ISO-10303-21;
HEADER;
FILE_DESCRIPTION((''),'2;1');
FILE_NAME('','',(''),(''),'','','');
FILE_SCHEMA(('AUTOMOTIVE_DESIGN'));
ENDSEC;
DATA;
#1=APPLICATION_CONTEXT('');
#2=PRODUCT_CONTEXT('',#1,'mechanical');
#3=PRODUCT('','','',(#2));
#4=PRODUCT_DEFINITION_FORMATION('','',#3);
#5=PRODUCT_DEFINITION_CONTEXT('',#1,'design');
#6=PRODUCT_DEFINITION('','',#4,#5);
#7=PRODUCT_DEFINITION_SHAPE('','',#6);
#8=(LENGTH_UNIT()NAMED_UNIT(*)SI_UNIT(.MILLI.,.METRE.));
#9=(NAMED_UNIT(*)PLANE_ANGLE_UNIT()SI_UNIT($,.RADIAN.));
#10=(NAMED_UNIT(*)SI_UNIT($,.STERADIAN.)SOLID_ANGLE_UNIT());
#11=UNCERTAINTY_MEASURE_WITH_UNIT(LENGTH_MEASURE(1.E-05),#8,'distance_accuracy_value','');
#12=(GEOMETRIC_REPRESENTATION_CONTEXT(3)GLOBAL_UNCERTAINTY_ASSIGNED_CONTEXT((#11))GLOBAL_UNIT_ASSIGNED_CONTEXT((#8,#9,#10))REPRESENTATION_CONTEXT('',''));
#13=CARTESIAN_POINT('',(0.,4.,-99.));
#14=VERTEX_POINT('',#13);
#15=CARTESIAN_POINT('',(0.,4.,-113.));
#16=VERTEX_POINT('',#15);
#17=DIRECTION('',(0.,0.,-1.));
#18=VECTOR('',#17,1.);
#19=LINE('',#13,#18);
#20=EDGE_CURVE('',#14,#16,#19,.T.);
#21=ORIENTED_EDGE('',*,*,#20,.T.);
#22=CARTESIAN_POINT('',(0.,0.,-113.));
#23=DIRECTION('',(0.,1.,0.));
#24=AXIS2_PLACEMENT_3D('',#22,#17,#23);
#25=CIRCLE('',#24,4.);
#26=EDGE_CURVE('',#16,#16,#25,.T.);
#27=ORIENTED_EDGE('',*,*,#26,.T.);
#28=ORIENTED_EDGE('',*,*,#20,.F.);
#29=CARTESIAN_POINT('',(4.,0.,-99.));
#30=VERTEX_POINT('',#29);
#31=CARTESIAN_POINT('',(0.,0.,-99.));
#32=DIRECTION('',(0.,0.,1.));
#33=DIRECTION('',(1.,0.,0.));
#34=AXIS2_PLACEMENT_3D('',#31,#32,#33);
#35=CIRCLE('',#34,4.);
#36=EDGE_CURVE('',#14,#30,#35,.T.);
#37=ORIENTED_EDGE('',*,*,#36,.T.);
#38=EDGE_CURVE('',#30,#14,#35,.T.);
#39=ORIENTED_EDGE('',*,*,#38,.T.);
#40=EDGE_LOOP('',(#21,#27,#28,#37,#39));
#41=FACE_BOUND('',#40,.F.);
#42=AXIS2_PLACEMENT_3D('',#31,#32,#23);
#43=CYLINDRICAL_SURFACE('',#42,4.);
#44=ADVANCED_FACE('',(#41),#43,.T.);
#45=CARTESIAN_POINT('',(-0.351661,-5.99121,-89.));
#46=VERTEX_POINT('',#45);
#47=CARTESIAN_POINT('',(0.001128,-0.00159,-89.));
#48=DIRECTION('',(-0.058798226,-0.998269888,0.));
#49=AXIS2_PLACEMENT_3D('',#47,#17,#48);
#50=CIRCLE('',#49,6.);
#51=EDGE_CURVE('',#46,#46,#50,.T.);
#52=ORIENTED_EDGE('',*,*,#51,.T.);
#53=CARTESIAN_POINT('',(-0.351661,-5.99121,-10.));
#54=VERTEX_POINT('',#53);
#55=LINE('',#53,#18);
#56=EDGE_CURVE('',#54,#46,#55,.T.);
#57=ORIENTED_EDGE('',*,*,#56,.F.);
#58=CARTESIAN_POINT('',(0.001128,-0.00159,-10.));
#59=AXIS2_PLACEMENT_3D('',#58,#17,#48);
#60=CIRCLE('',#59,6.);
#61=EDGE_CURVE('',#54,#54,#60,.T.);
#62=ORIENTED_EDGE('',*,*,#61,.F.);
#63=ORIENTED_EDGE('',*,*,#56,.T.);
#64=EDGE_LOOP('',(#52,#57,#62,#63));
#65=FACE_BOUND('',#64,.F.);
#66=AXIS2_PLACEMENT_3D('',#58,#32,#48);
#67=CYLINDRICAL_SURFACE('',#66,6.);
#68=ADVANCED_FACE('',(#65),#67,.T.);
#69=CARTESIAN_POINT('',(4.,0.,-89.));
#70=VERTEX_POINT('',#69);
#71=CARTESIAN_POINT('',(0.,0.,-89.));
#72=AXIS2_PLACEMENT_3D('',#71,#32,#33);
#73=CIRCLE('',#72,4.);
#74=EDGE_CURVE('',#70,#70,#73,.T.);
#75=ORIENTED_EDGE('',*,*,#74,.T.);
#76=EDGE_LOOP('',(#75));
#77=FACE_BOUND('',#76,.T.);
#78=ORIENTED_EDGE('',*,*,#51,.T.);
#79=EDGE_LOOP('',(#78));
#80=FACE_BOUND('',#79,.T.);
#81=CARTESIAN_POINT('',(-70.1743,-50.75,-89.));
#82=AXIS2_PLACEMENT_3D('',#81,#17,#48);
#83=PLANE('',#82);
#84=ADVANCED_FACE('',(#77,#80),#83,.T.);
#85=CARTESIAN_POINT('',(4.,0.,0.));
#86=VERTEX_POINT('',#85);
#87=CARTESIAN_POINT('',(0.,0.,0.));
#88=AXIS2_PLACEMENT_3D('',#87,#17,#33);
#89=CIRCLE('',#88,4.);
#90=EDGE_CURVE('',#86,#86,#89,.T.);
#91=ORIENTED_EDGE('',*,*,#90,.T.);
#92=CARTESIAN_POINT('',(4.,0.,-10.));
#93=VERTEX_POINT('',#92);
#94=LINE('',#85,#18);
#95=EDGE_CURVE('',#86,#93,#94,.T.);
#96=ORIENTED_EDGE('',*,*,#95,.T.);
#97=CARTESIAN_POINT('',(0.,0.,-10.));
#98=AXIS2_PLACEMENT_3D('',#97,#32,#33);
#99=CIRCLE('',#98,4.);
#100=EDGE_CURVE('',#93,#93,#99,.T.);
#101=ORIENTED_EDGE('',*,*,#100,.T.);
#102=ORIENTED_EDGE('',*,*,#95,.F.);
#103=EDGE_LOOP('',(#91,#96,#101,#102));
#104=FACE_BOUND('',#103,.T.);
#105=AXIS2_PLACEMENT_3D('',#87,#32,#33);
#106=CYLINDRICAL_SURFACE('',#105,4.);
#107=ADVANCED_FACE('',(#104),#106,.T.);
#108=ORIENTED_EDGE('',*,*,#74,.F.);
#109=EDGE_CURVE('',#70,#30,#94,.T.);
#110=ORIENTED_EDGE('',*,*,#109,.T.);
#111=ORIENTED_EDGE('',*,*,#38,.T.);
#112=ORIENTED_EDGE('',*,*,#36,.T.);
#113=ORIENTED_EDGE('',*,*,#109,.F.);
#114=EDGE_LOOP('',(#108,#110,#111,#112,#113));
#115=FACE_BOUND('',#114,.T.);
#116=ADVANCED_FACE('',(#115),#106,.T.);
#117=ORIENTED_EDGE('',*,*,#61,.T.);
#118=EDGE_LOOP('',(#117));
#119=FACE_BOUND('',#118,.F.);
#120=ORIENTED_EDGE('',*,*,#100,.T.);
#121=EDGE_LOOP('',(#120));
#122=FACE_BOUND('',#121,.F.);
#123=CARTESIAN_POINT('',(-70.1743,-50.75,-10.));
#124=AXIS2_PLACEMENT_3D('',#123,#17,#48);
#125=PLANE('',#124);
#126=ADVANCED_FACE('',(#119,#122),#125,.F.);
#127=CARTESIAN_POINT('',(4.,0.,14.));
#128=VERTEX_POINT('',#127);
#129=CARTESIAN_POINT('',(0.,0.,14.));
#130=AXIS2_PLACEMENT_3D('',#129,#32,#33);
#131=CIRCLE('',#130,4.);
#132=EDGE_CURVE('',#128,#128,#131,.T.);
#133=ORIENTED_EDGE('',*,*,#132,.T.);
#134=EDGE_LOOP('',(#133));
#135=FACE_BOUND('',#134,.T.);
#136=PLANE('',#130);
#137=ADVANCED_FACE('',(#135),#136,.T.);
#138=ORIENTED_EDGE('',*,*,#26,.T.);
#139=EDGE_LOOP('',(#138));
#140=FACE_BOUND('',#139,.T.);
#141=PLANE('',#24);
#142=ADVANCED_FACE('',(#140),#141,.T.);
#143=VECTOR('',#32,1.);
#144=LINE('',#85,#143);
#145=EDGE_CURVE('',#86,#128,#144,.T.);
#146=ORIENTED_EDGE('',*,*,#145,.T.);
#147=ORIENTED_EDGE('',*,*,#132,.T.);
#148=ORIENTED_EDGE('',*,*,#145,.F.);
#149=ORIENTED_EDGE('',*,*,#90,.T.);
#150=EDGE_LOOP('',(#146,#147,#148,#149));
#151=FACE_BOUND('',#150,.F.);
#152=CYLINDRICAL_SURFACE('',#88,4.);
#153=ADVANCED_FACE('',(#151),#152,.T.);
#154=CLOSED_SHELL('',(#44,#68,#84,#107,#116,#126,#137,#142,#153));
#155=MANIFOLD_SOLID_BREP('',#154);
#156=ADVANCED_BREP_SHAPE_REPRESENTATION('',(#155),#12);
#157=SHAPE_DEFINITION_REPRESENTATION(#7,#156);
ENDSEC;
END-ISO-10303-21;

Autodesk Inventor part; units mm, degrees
ref_plane "YZ Plane" through (0, 0, 0) normal (1, 0, 0) x (0, 1, 0)
ref_plane "XZ Plane" through (0, 0, 0) normal (0, 1, 0) x (-1, 0, 0)
sketch "Base" plane through (0, 0, 0) normal (0, 0, 1) x (1, 0, 0)
  line L0 (-3.5, 1.9365) -> (-3.5, -1.9365)
  line L1 (0, -5.6) -> (0, 5.6) construction
  circle A0 centre (0, 0) radius 4
  point P0 (-3.5, 0)
  dimension "d9" = 8
  dimension "d11" = 3.5
ref_plane "BasePlane" through (-230.8476, -175.3438, -99) normal (0, 0, -1) x (0, 1, 0)
extrude "BaseFeature" add sketch "Base" against normal up to surface (99 mm away)
sketch "Sketch4" plane through (0, 0, 0) normal (0, 0, 1) x (1, 0, 0)
  circle A0 centre (0, 0) radius 4 projected
extrude "Extrusion4" add sketch "Sketch4" along normal blind 14
sketch "Sketch5" plane through (0, 0, -99) normal (0, 0, -1) x (0, 1, 0)
  circle A0 centre (0, 0) radius 4 projected
  point P0 (0, 0)
extrude "Extrusion5" add sketch "Sketch5" along normal blind 14
ref_plane "StartPlane" through (-70.1743, -50.75, -10) normal (0, 0, -1) x (-0.0588, -0.9983, 0)
ref_plane "EndPlane" through (2.103, 3.913, -89) normal (0, 0, 1) x (-0.0671, 0.9977, 0)
sketch "Sketch6" plane through (-70.1743, -50.75, -10) normal (0, 0, -1) x (-0.0588, -0.9983, 0)
  circle A0 centre (-54.7868, -67.0701) radius 4.165 projected
  circle A1 centre (-54.7868, -67.0701) radius 6
  point P0 (-54.7868, -67.0701)
  dimension "d16" = 12
extrude "Extrusion6" add sketch "Sketch6" along normal up to surface (79 mm away) contours A0 | A1
properties part number "LegKneeShaft"
